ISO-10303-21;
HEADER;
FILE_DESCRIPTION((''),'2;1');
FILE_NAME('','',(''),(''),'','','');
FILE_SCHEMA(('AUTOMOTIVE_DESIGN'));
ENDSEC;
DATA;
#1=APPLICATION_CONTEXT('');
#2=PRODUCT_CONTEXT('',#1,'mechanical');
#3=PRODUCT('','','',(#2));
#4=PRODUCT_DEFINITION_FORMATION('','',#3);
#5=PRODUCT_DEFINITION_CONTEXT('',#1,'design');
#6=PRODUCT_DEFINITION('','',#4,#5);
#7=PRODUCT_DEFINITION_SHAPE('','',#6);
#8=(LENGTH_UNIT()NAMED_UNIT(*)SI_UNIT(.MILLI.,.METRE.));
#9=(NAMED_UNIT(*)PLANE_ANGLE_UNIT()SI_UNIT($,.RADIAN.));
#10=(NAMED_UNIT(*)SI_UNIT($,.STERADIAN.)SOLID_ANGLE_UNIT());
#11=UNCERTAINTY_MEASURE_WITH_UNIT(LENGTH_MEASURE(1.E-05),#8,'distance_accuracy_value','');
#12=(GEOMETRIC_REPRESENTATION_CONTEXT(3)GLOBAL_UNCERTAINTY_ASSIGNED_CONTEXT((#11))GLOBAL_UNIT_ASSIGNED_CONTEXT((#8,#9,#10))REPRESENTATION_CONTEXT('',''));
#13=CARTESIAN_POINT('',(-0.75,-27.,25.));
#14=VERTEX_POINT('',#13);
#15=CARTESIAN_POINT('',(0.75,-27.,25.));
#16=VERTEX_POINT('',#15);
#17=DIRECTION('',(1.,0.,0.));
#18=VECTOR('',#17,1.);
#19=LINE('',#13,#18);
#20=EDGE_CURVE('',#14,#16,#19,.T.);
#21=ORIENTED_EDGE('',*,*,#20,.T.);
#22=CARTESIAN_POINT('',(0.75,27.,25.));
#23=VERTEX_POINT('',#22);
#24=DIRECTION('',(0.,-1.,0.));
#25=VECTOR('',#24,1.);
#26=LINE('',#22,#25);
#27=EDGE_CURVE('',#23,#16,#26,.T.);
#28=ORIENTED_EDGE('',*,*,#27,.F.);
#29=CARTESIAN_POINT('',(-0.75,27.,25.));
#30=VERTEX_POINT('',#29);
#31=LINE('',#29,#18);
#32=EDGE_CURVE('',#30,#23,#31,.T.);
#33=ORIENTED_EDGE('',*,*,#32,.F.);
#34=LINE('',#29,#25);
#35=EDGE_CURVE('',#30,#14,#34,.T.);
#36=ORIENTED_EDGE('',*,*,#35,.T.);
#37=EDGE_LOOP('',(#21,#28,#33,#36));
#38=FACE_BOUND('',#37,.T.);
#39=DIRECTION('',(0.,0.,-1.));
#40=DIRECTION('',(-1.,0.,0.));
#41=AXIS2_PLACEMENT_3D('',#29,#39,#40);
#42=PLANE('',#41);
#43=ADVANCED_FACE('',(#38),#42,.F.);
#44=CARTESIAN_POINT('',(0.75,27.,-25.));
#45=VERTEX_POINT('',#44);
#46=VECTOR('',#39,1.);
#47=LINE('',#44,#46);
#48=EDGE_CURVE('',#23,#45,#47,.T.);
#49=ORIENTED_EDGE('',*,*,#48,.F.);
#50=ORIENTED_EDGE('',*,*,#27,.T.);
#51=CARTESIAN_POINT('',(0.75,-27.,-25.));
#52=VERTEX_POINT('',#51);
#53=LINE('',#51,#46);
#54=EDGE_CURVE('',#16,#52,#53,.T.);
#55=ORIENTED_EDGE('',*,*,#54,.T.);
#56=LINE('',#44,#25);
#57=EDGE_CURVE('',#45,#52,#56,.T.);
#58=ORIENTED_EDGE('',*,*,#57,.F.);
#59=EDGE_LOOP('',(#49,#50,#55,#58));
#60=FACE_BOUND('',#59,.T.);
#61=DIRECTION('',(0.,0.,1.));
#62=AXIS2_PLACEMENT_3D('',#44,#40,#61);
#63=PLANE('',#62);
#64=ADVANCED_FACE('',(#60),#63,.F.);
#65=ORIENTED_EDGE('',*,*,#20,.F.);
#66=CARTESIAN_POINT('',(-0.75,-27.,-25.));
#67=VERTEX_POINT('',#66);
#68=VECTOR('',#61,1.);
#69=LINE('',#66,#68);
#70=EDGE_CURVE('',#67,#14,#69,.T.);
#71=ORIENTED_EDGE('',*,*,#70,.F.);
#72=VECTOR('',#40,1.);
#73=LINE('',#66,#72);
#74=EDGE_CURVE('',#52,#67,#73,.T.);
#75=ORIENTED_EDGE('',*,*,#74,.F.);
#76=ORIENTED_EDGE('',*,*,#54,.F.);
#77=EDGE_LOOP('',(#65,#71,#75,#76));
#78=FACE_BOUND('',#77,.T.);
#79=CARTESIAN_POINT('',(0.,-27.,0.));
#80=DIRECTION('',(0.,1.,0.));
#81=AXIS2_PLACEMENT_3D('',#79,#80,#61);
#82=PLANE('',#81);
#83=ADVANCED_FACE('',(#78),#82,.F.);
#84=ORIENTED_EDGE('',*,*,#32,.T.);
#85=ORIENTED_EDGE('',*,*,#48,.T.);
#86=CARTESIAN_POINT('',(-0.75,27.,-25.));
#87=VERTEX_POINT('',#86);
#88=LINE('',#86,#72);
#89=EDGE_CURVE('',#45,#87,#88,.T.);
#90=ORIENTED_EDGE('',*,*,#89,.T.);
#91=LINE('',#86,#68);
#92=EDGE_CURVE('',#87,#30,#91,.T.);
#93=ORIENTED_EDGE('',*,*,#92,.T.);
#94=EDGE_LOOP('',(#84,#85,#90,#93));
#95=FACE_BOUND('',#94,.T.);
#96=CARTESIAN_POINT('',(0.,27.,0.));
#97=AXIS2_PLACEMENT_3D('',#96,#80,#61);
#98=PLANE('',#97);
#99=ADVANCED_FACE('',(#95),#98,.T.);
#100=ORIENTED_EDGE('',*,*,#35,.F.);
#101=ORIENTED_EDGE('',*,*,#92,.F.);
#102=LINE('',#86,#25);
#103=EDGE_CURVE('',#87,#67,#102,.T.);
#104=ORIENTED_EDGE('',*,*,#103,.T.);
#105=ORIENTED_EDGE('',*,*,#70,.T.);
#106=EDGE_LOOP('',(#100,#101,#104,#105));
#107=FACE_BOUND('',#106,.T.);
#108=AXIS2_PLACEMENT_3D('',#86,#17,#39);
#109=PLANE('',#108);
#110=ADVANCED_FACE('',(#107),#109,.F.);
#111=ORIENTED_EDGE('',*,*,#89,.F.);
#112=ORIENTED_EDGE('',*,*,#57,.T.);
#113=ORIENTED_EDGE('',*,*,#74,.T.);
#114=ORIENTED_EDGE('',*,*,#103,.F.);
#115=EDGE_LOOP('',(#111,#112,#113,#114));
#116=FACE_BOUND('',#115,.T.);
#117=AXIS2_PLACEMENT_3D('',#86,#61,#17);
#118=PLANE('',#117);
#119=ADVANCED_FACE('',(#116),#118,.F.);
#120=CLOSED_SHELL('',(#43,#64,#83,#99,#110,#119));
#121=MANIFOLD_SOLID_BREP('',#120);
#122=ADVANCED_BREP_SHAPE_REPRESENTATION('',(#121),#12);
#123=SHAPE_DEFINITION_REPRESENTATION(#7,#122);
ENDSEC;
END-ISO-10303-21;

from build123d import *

# Parameters (mm, degrees)
SKETCH1_W           = 1.5
SKETCH1_H           = 50
BOSS_EXTRUDE1_DEPTH = 27


with BuildPart() as part:
    # Sketch1 → Boss-Extrude1 (new body, symmetric)
    with BuildSketch(Plane(origin=(0, 0, 0), x_dir=(1, 0, 0), z_dir=(0, 1, 0))):
        Rectangle(SKETCH1_W, SKETCH1_H)
    extrude(amount=BOSS_EXTRUDE1_DEPTH, both=True)


solid = part.part
